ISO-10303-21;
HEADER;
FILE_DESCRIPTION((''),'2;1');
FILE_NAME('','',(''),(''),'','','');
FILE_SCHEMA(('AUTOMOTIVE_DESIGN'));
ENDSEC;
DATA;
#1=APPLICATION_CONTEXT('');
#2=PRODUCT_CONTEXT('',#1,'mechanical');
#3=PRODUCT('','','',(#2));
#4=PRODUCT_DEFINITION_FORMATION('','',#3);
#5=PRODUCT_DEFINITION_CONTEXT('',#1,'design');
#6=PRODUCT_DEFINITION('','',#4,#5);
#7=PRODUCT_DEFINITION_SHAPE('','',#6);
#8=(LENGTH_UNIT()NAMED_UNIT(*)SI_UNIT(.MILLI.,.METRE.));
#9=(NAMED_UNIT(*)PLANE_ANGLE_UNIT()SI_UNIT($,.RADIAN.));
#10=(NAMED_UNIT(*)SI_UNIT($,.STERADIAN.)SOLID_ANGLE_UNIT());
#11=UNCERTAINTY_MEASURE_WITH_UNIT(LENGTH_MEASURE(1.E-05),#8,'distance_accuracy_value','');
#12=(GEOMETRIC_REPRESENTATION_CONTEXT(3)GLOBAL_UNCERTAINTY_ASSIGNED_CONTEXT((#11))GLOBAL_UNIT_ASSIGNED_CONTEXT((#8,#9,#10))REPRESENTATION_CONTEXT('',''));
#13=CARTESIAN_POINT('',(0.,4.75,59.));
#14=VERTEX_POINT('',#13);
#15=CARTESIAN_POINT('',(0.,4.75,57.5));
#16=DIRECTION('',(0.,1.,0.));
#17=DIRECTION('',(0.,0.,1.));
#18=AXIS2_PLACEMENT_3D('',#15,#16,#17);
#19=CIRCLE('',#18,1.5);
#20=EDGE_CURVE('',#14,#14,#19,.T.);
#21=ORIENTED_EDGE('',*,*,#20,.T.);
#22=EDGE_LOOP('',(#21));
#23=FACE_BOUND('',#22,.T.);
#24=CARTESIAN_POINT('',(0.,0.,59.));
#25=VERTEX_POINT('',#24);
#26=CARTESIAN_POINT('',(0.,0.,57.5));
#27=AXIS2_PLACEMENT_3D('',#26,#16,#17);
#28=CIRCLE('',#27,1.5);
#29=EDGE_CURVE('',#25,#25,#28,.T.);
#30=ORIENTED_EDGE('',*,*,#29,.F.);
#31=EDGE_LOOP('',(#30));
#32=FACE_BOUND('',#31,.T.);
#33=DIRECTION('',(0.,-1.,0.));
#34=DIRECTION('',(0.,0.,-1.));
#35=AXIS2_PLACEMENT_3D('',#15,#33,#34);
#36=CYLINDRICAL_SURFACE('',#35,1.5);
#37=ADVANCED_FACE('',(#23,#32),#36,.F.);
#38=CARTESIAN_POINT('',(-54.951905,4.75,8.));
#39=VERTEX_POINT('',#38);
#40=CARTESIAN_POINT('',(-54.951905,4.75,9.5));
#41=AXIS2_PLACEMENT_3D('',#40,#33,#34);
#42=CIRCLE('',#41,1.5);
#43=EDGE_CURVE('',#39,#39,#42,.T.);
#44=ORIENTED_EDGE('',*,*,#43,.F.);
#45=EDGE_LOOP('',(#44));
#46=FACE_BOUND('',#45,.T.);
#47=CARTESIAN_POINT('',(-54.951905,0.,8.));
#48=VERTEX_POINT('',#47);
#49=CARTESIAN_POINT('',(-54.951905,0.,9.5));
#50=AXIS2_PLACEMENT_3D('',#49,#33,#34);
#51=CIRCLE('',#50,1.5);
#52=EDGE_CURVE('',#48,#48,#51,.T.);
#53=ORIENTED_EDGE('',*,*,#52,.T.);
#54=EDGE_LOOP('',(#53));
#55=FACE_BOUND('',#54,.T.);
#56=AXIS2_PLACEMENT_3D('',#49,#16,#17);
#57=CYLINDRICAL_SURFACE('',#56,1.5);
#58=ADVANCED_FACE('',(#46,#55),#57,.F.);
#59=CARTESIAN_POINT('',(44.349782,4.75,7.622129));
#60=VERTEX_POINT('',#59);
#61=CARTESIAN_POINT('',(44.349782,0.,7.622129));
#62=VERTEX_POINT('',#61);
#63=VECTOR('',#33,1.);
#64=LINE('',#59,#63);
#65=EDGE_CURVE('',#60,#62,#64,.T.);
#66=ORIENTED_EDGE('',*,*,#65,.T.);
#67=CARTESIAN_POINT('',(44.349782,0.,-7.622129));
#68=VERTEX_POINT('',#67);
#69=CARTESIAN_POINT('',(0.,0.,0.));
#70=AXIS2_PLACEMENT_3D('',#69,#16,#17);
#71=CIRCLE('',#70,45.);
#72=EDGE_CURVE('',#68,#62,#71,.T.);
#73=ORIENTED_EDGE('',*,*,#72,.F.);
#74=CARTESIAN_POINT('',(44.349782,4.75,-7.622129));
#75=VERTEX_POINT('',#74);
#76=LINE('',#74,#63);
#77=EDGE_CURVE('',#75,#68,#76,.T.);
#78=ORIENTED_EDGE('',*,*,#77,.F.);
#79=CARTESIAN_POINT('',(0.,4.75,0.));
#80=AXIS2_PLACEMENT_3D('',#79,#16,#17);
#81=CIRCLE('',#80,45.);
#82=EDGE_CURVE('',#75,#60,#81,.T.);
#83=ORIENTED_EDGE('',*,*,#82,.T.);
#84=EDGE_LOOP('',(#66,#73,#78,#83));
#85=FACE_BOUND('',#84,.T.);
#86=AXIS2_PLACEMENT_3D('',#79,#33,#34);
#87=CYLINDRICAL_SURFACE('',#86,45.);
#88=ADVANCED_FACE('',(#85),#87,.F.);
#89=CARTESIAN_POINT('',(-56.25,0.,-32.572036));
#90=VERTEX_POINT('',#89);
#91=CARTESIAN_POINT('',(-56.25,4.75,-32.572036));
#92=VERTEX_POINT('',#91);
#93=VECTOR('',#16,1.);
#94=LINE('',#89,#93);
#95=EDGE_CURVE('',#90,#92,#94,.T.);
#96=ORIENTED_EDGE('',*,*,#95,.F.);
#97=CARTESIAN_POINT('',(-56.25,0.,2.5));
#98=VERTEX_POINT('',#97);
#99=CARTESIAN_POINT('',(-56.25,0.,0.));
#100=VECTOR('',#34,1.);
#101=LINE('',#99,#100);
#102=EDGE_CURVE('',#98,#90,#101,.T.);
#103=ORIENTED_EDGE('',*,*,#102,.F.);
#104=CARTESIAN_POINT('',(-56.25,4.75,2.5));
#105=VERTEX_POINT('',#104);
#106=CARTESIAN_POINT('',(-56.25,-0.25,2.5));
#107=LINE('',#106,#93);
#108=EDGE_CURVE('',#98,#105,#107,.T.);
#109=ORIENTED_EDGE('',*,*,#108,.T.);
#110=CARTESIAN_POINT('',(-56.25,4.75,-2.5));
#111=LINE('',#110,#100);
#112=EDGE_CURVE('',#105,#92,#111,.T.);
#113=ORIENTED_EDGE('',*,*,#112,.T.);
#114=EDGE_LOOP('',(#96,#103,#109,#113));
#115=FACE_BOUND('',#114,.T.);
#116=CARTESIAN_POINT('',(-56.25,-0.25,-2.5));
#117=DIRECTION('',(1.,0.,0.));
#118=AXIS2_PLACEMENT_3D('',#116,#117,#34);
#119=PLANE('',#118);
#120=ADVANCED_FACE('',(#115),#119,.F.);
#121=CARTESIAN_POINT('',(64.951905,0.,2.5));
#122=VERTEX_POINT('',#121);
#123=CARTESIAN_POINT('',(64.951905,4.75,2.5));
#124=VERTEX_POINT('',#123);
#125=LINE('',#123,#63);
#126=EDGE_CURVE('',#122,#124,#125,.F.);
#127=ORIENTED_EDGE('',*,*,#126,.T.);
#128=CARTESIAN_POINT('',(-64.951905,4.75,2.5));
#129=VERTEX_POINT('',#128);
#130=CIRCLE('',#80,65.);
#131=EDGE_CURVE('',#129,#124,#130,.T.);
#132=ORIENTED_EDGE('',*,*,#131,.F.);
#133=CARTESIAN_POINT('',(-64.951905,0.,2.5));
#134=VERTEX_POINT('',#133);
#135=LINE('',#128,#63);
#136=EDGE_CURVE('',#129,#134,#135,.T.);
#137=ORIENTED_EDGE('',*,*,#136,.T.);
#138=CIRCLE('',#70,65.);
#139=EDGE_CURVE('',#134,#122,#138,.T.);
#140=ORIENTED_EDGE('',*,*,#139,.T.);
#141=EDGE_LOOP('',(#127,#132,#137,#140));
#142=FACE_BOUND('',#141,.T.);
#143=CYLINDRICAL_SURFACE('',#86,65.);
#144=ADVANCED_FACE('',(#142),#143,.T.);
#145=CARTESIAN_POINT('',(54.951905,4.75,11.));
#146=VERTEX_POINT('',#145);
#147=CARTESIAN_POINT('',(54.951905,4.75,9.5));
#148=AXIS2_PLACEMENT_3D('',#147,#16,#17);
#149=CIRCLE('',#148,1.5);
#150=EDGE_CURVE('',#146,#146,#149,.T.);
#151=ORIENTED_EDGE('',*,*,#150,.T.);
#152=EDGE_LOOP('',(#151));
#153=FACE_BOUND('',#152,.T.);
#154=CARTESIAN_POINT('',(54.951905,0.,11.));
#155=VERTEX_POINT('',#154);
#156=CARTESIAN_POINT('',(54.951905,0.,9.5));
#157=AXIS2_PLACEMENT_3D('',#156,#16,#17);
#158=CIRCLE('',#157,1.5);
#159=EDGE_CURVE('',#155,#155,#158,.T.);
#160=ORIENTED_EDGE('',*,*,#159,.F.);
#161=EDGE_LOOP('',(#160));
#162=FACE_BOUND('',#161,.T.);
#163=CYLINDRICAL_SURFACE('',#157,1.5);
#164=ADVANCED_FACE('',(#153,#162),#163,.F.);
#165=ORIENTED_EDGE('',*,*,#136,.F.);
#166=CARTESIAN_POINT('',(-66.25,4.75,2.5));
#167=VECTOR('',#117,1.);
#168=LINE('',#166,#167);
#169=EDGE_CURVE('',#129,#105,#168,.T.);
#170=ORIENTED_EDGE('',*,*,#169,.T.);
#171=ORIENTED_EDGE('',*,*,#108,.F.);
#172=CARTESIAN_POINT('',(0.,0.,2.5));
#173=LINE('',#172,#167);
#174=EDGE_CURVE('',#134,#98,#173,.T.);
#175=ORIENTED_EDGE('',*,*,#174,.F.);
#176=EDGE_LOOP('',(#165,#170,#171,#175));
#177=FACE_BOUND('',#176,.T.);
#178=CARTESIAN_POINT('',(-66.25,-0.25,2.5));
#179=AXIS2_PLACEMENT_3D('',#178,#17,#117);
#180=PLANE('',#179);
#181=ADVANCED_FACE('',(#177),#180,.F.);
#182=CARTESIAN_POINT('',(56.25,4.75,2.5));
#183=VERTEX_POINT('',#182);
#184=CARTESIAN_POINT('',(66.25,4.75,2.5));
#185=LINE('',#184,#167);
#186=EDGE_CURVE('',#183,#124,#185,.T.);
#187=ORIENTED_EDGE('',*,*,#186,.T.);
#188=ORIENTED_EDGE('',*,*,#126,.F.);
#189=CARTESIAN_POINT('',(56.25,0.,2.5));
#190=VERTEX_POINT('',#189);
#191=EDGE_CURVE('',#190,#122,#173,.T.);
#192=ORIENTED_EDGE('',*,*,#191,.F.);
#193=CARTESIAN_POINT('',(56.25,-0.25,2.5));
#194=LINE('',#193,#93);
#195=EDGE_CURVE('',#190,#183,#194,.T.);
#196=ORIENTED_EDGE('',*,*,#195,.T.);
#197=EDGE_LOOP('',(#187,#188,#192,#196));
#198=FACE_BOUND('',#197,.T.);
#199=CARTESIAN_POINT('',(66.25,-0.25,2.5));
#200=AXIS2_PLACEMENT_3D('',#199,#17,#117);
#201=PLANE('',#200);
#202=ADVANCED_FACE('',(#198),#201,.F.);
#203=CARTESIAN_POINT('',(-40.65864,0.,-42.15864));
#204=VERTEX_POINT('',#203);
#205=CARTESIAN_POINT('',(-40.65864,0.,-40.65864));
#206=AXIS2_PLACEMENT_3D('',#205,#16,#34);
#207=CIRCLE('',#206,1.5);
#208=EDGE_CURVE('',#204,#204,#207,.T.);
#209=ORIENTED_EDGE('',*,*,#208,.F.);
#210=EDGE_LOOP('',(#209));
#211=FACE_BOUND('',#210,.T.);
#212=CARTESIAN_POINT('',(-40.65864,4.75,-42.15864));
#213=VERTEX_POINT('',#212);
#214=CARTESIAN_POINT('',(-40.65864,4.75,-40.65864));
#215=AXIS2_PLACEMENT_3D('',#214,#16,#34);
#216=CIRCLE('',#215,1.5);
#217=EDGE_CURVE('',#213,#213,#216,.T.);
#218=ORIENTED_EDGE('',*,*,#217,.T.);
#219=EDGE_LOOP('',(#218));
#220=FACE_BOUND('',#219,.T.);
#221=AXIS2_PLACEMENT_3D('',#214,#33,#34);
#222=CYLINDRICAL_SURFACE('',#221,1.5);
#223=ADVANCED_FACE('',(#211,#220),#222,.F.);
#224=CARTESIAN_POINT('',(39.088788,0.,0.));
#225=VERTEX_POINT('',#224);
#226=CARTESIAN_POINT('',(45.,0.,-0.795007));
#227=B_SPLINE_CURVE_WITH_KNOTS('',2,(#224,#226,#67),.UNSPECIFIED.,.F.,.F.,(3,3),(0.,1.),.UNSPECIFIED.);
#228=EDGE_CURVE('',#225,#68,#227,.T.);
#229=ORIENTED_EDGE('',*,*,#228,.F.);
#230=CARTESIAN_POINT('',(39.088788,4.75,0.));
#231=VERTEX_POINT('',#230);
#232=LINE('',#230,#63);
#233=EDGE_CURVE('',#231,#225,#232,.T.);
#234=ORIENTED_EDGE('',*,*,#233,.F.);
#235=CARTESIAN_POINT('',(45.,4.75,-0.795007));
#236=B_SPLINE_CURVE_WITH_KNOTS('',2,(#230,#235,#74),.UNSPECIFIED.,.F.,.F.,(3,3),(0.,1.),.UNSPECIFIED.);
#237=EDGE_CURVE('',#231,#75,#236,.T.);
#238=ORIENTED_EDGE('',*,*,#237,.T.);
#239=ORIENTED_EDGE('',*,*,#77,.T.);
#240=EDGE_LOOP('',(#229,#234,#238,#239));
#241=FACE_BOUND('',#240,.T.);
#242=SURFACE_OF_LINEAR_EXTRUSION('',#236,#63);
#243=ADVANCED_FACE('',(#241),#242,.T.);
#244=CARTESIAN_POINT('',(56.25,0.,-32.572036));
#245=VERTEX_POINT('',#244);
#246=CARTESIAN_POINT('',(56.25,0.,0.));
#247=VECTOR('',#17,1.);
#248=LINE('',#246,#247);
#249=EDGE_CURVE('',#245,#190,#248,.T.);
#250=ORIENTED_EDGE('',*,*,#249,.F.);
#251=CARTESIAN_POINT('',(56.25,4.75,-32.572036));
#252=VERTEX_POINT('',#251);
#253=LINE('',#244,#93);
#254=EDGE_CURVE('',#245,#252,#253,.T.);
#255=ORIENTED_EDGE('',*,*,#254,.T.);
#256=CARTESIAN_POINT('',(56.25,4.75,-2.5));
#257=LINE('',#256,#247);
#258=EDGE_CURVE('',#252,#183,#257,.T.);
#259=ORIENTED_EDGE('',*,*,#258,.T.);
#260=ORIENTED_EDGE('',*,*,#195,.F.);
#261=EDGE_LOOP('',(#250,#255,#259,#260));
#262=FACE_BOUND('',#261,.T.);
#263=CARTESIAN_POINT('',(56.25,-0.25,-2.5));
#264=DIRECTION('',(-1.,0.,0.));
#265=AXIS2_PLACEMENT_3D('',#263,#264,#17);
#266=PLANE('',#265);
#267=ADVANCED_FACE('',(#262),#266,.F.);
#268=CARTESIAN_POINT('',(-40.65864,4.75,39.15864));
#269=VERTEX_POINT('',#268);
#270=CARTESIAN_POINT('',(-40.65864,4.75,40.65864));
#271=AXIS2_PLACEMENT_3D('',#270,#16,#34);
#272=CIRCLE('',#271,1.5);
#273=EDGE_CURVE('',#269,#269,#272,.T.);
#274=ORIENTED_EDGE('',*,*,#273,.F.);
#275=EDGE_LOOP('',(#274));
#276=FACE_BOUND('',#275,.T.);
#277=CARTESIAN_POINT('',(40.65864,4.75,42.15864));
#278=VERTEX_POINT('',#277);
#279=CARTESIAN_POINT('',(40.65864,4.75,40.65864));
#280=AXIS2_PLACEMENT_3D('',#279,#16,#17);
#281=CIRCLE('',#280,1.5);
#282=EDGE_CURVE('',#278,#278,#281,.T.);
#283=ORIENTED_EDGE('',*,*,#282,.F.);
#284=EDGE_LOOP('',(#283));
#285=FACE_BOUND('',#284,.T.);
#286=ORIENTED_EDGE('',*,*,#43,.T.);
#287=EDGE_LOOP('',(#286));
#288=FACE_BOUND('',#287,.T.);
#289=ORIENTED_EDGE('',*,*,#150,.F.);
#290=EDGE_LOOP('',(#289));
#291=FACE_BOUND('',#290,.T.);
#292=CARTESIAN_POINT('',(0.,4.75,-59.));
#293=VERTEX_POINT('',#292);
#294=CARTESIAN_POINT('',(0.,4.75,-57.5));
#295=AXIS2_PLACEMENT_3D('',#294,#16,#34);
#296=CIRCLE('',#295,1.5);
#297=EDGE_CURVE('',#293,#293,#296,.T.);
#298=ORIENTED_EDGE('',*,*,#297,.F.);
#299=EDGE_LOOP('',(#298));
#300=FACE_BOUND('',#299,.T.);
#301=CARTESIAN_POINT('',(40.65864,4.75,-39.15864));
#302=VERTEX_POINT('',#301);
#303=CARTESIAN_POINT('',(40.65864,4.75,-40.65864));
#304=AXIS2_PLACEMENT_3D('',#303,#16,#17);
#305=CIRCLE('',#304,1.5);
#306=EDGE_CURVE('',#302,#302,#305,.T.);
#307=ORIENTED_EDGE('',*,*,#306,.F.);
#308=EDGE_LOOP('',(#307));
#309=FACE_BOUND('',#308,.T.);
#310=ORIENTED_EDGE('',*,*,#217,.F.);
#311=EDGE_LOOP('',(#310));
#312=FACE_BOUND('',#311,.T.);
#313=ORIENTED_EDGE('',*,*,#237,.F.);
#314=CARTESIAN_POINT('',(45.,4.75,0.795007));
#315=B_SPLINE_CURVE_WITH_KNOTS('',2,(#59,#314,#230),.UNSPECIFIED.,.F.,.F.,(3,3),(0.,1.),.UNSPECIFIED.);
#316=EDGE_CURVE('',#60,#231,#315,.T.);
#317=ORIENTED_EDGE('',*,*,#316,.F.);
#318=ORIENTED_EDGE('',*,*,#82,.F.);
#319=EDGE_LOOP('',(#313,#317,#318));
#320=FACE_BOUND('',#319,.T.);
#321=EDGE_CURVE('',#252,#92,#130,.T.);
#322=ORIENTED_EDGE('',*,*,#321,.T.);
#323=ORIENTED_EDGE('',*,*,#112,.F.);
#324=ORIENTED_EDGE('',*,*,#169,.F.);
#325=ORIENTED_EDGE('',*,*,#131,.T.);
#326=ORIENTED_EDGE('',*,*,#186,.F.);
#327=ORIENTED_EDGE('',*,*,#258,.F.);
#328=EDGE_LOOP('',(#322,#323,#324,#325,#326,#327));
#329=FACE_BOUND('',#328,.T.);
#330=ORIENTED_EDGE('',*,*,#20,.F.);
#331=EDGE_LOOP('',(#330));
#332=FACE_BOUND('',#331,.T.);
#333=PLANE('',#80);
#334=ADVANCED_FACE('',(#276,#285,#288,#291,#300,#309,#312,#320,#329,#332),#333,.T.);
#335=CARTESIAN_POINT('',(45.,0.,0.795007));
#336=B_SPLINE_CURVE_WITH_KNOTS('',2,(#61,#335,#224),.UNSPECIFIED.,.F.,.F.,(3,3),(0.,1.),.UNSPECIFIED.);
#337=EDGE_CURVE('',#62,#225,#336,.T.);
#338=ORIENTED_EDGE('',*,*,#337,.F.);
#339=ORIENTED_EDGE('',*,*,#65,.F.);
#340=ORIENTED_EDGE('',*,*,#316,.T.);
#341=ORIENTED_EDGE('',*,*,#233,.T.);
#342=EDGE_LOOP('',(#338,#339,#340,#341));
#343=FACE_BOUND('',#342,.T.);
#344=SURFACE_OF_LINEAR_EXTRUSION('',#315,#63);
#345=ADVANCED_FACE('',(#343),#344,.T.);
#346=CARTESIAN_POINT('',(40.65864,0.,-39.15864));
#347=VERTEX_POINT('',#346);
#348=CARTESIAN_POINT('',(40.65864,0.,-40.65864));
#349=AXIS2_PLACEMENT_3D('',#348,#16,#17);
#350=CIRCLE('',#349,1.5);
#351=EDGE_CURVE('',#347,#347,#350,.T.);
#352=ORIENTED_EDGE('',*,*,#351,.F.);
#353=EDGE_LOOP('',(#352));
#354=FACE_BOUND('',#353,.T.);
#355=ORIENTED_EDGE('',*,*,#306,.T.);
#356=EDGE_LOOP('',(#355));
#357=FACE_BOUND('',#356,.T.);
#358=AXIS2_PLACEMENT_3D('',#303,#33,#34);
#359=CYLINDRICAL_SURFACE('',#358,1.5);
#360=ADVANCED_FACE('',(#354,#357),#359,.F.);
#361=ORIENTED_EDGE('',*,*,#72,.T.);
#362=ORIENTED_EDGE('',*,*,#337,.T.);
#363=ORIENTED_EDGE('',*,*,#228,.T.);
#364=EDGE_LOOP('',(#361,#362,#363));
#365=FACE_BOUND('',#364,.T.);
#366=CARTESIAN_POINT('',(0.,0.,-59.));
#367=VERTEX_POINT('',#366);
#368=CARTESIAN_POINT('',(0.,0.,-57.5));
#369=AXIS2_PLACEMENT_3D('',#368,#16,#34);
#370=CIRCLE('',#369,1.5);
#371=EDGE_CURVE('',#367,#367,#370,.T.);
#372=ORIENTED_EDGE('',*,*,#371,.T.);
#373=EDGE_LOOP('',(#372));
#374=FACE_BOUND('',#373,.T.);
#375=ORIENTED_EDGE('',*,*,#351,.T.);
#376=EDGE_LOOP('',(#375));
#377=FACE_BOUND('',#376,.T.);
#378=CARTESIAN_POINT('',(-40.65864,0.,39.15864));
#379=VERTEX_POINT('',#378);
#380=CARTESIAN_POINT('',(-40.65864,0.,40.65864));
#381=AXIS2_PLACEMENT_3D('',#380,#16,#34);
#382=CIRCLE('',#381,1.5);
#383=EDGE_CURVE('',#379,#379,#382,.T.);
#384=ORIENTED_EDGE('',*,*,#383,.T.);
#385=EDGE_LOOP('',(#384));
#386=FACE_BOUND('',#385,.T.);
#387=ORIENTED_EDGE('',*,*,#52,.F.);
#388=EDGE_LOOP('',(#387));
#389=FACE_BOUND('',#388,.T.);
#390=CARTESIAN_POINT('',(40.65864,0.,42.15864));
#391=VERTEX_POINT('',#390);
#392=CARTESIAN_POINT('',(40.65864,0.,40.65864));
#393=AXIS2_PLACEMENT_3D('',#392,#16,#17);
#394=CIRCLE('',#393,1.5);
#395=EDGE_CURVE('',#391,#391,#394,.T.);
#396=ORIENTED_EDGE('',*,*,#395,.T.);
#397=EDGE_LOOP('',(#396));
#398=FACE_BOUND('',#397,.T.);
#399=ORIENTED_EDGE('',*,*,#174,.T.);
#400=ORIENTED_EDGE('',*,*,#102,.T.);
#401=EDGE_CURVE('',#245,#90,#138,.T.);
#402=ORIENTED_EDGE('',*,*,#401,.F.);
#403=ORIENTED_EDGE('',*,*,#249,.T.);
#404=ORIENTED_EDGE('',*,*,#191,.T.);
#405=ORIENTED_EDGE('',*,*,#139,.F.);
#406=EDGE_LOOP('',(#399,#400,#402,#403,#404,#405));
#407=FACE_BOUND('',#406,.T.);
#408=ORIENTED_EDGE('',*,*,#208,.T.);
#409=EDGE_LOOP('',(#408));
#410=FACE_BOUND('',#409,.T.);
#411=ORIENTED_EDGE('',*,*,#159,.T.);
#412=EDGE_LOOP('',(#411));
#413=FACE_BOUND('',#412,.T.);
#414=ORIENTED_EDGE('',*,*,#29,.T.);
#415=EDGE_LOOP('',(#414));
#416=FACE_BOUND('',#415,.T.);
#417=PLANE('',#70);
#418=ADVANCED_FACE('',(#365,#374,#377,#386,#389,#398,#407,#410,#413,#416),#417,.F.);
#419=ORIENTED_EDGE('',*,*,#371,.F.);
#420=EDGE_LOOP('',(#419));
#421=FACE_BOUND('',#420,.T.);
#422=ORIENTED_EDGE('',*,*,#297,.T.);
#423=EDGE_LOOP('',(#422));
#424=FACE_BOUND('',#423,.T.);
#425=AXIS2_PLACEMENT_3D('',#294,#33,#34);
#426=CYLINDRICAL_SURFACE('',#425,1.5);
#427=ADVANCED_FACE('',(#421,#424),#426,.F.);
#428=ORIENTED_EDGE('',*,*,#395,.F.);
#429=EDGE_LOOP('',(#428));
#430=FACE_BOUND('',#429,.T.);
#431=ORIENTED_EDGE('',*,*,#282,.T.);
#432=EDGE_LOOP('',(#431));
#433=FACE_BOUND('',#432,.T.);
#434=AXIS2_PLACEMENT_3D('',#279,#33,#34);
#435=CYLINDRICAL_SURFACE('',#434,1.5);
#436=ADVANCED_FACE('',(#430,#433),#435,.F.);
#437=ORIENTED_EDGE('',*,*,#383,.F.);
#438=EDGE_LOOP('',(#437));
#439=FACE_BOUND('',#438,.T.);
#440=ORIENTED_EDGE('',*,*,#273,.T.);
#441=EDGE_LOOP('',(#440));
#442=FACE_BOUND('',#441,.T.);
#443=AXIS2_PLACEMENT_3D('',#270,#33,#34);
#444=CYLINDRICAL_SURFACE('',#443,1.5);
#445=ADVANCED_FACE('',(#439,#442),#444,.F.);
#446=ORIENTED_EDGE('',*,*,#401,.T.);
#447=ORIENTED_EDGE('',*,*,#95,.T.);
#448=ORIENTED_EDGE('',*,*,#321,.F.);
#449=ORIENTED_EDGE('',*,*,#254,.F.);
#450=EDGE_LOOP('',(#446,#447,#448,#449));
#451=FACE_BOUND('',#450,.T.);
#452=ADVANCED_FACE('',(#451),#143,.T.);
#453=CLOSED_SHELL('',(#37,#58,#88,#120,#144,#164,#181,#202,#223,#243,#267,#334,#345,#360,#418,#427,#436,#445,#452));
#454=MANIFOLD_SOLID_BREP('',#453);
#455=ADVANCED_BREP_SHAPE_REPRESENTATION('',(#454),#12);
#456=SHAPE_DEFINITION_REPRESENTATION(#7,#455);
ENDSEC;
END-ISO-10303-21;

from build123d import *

# Parameters (mm, degrees)
SKETCH1_R           = 65
SKETCH1_R_2         = 1.5
BOSS_EXTRUDE1_DEPTH = 4.75
SKETCH3_W           = 10
SKETCH3_H           = 5
CUT_EXTRUDE1_DEPTH  = 5
SKETCH4_R           = 1.5
CUT_EXTRUDE2_DEPTH  = 93.012567223
CUT_EXTRUDE3_DEPTH  = 93.012567223


with BuildPart() as part:
    # Sketch1 → Boss-Extrude1 (new body)
    with BuildSketch(Plane(origin=(0, 0, 0), x_dir=(1, 0, 0), z_dir=(0, 1, 0))):
        Circle(SKETCH1_R)
        with Locations((0, -57.5)):
            Circle(SKETCH1_R_2, mode=Mode.SUBTRACT)
        with Locations((40.658639918, -40.658639918)):
            Circle(SKETCH1_R_2, mode=Mode.SUBTRACT)
        with Locations((40.658639918, 40.658639918)):
            Circle(SKETCH1_R_2, mode=Mode.SUBTRACT)
        with Locations((0, 57.5)):
            Circle(SKETCH1_R_2, mode=Mode.SUBTRACT)
        with Locations((-40.658639918, 40.658639918)):
            Circle(SKETCH1_R_2, mode=Mode.SUBTRACT)
        with Locations((-40.658639918, -40.658639918)):
            Circle(SKETCH1_R_2, mode=Mode.SUBTRACT)
        with BuildLine():
            ThreePointArc((44.349781873, 7.622128822), (-45, 0), (44.349781873, -7.622128822))
            add(Edge.make_bspline(
                [(44.349781873, -7.622128822), (45, -0.795007083), (39.088787829, 0)],
                knots=[0, 0, 0, 1, 1, 1], degree=2))
            add(Edge.make_bspline(
                [(44.349781873, 7.622128822), (45, 0.795007083), (39.088787829, 0)],
                knots=[0, 0, 0, 1, 1, 1], degree=2))
        make_face(mode=Mode.SUBTRACT)
    extrude(amount=BOSS_EXTRUDE1_DEPTH)

    # Sketch3 → Cut-Extrude1 (cut)
    with BuildSketch(Plane(origin=(0, 4.75, 0), x_dir=(1, 0, 0), z_dir=(0, 1, 0))):
        with Locations((61.25, 0)):
            Rectangle(SKETCH3_W, SKETCH3_H)
        with Locations((-61.25, 0)):
            Rectangle(SKETCH3_W, SKETCH3_H)
    extrude(amount=-CUT_EXTRUDE1_DEPTH, mode=Mode.SUBTRACT)

    # Sketch4 → Cut-Extrude2 (cut, through all)
    with BuildSketch(Plane(origin=(0, 4.75, 0), x_dir=(1, 0, 0), z_dir=(0, 1, 0))):
        with Locations((54.951905284, -9.5)):
            Circle(SKETCH4_R)
        with Locations((-54.951905284, -9.5)):
            Circle(SKETCH4_R)
    extrude(amount=-CUT_EXTRUDE2_DEPTH, mode=Mode.SUBTRACT)

    # Sketch5 → Cut-Extrude3 (cut, through all)
    with BuildSketch(Plane(origin=(0, 4.75, 0), x_dir=(1, 0, 0), z_dir=(0, 1, 0))):
        with BuildLine():
            Line((-64.951905284, 2.5), (-56.25, 2.5))
            Line((-56.25, 2.5), (-56.25, 32.572035552))
            ThreePointArc((-56.25, 32.572035552), (-62.438428004, 18.067725599), (-64.951905284, 2.5))
        make_face()
        with BuildLine():
            ThreePointArc((64.951905284, 2.5), (62.438428004, 18.067725599), (56.25, 32.572035552))
            Line((56.25, 32.572035552), (56.25, 2.5))
            Line((56.25, 2.5), (64.951905284, 2.5))
        make_face()
    extrude(amount=-CUT_EXTRUDE3_DEPTH, mode=Mode.SUBTRACT)


solid = part.part
